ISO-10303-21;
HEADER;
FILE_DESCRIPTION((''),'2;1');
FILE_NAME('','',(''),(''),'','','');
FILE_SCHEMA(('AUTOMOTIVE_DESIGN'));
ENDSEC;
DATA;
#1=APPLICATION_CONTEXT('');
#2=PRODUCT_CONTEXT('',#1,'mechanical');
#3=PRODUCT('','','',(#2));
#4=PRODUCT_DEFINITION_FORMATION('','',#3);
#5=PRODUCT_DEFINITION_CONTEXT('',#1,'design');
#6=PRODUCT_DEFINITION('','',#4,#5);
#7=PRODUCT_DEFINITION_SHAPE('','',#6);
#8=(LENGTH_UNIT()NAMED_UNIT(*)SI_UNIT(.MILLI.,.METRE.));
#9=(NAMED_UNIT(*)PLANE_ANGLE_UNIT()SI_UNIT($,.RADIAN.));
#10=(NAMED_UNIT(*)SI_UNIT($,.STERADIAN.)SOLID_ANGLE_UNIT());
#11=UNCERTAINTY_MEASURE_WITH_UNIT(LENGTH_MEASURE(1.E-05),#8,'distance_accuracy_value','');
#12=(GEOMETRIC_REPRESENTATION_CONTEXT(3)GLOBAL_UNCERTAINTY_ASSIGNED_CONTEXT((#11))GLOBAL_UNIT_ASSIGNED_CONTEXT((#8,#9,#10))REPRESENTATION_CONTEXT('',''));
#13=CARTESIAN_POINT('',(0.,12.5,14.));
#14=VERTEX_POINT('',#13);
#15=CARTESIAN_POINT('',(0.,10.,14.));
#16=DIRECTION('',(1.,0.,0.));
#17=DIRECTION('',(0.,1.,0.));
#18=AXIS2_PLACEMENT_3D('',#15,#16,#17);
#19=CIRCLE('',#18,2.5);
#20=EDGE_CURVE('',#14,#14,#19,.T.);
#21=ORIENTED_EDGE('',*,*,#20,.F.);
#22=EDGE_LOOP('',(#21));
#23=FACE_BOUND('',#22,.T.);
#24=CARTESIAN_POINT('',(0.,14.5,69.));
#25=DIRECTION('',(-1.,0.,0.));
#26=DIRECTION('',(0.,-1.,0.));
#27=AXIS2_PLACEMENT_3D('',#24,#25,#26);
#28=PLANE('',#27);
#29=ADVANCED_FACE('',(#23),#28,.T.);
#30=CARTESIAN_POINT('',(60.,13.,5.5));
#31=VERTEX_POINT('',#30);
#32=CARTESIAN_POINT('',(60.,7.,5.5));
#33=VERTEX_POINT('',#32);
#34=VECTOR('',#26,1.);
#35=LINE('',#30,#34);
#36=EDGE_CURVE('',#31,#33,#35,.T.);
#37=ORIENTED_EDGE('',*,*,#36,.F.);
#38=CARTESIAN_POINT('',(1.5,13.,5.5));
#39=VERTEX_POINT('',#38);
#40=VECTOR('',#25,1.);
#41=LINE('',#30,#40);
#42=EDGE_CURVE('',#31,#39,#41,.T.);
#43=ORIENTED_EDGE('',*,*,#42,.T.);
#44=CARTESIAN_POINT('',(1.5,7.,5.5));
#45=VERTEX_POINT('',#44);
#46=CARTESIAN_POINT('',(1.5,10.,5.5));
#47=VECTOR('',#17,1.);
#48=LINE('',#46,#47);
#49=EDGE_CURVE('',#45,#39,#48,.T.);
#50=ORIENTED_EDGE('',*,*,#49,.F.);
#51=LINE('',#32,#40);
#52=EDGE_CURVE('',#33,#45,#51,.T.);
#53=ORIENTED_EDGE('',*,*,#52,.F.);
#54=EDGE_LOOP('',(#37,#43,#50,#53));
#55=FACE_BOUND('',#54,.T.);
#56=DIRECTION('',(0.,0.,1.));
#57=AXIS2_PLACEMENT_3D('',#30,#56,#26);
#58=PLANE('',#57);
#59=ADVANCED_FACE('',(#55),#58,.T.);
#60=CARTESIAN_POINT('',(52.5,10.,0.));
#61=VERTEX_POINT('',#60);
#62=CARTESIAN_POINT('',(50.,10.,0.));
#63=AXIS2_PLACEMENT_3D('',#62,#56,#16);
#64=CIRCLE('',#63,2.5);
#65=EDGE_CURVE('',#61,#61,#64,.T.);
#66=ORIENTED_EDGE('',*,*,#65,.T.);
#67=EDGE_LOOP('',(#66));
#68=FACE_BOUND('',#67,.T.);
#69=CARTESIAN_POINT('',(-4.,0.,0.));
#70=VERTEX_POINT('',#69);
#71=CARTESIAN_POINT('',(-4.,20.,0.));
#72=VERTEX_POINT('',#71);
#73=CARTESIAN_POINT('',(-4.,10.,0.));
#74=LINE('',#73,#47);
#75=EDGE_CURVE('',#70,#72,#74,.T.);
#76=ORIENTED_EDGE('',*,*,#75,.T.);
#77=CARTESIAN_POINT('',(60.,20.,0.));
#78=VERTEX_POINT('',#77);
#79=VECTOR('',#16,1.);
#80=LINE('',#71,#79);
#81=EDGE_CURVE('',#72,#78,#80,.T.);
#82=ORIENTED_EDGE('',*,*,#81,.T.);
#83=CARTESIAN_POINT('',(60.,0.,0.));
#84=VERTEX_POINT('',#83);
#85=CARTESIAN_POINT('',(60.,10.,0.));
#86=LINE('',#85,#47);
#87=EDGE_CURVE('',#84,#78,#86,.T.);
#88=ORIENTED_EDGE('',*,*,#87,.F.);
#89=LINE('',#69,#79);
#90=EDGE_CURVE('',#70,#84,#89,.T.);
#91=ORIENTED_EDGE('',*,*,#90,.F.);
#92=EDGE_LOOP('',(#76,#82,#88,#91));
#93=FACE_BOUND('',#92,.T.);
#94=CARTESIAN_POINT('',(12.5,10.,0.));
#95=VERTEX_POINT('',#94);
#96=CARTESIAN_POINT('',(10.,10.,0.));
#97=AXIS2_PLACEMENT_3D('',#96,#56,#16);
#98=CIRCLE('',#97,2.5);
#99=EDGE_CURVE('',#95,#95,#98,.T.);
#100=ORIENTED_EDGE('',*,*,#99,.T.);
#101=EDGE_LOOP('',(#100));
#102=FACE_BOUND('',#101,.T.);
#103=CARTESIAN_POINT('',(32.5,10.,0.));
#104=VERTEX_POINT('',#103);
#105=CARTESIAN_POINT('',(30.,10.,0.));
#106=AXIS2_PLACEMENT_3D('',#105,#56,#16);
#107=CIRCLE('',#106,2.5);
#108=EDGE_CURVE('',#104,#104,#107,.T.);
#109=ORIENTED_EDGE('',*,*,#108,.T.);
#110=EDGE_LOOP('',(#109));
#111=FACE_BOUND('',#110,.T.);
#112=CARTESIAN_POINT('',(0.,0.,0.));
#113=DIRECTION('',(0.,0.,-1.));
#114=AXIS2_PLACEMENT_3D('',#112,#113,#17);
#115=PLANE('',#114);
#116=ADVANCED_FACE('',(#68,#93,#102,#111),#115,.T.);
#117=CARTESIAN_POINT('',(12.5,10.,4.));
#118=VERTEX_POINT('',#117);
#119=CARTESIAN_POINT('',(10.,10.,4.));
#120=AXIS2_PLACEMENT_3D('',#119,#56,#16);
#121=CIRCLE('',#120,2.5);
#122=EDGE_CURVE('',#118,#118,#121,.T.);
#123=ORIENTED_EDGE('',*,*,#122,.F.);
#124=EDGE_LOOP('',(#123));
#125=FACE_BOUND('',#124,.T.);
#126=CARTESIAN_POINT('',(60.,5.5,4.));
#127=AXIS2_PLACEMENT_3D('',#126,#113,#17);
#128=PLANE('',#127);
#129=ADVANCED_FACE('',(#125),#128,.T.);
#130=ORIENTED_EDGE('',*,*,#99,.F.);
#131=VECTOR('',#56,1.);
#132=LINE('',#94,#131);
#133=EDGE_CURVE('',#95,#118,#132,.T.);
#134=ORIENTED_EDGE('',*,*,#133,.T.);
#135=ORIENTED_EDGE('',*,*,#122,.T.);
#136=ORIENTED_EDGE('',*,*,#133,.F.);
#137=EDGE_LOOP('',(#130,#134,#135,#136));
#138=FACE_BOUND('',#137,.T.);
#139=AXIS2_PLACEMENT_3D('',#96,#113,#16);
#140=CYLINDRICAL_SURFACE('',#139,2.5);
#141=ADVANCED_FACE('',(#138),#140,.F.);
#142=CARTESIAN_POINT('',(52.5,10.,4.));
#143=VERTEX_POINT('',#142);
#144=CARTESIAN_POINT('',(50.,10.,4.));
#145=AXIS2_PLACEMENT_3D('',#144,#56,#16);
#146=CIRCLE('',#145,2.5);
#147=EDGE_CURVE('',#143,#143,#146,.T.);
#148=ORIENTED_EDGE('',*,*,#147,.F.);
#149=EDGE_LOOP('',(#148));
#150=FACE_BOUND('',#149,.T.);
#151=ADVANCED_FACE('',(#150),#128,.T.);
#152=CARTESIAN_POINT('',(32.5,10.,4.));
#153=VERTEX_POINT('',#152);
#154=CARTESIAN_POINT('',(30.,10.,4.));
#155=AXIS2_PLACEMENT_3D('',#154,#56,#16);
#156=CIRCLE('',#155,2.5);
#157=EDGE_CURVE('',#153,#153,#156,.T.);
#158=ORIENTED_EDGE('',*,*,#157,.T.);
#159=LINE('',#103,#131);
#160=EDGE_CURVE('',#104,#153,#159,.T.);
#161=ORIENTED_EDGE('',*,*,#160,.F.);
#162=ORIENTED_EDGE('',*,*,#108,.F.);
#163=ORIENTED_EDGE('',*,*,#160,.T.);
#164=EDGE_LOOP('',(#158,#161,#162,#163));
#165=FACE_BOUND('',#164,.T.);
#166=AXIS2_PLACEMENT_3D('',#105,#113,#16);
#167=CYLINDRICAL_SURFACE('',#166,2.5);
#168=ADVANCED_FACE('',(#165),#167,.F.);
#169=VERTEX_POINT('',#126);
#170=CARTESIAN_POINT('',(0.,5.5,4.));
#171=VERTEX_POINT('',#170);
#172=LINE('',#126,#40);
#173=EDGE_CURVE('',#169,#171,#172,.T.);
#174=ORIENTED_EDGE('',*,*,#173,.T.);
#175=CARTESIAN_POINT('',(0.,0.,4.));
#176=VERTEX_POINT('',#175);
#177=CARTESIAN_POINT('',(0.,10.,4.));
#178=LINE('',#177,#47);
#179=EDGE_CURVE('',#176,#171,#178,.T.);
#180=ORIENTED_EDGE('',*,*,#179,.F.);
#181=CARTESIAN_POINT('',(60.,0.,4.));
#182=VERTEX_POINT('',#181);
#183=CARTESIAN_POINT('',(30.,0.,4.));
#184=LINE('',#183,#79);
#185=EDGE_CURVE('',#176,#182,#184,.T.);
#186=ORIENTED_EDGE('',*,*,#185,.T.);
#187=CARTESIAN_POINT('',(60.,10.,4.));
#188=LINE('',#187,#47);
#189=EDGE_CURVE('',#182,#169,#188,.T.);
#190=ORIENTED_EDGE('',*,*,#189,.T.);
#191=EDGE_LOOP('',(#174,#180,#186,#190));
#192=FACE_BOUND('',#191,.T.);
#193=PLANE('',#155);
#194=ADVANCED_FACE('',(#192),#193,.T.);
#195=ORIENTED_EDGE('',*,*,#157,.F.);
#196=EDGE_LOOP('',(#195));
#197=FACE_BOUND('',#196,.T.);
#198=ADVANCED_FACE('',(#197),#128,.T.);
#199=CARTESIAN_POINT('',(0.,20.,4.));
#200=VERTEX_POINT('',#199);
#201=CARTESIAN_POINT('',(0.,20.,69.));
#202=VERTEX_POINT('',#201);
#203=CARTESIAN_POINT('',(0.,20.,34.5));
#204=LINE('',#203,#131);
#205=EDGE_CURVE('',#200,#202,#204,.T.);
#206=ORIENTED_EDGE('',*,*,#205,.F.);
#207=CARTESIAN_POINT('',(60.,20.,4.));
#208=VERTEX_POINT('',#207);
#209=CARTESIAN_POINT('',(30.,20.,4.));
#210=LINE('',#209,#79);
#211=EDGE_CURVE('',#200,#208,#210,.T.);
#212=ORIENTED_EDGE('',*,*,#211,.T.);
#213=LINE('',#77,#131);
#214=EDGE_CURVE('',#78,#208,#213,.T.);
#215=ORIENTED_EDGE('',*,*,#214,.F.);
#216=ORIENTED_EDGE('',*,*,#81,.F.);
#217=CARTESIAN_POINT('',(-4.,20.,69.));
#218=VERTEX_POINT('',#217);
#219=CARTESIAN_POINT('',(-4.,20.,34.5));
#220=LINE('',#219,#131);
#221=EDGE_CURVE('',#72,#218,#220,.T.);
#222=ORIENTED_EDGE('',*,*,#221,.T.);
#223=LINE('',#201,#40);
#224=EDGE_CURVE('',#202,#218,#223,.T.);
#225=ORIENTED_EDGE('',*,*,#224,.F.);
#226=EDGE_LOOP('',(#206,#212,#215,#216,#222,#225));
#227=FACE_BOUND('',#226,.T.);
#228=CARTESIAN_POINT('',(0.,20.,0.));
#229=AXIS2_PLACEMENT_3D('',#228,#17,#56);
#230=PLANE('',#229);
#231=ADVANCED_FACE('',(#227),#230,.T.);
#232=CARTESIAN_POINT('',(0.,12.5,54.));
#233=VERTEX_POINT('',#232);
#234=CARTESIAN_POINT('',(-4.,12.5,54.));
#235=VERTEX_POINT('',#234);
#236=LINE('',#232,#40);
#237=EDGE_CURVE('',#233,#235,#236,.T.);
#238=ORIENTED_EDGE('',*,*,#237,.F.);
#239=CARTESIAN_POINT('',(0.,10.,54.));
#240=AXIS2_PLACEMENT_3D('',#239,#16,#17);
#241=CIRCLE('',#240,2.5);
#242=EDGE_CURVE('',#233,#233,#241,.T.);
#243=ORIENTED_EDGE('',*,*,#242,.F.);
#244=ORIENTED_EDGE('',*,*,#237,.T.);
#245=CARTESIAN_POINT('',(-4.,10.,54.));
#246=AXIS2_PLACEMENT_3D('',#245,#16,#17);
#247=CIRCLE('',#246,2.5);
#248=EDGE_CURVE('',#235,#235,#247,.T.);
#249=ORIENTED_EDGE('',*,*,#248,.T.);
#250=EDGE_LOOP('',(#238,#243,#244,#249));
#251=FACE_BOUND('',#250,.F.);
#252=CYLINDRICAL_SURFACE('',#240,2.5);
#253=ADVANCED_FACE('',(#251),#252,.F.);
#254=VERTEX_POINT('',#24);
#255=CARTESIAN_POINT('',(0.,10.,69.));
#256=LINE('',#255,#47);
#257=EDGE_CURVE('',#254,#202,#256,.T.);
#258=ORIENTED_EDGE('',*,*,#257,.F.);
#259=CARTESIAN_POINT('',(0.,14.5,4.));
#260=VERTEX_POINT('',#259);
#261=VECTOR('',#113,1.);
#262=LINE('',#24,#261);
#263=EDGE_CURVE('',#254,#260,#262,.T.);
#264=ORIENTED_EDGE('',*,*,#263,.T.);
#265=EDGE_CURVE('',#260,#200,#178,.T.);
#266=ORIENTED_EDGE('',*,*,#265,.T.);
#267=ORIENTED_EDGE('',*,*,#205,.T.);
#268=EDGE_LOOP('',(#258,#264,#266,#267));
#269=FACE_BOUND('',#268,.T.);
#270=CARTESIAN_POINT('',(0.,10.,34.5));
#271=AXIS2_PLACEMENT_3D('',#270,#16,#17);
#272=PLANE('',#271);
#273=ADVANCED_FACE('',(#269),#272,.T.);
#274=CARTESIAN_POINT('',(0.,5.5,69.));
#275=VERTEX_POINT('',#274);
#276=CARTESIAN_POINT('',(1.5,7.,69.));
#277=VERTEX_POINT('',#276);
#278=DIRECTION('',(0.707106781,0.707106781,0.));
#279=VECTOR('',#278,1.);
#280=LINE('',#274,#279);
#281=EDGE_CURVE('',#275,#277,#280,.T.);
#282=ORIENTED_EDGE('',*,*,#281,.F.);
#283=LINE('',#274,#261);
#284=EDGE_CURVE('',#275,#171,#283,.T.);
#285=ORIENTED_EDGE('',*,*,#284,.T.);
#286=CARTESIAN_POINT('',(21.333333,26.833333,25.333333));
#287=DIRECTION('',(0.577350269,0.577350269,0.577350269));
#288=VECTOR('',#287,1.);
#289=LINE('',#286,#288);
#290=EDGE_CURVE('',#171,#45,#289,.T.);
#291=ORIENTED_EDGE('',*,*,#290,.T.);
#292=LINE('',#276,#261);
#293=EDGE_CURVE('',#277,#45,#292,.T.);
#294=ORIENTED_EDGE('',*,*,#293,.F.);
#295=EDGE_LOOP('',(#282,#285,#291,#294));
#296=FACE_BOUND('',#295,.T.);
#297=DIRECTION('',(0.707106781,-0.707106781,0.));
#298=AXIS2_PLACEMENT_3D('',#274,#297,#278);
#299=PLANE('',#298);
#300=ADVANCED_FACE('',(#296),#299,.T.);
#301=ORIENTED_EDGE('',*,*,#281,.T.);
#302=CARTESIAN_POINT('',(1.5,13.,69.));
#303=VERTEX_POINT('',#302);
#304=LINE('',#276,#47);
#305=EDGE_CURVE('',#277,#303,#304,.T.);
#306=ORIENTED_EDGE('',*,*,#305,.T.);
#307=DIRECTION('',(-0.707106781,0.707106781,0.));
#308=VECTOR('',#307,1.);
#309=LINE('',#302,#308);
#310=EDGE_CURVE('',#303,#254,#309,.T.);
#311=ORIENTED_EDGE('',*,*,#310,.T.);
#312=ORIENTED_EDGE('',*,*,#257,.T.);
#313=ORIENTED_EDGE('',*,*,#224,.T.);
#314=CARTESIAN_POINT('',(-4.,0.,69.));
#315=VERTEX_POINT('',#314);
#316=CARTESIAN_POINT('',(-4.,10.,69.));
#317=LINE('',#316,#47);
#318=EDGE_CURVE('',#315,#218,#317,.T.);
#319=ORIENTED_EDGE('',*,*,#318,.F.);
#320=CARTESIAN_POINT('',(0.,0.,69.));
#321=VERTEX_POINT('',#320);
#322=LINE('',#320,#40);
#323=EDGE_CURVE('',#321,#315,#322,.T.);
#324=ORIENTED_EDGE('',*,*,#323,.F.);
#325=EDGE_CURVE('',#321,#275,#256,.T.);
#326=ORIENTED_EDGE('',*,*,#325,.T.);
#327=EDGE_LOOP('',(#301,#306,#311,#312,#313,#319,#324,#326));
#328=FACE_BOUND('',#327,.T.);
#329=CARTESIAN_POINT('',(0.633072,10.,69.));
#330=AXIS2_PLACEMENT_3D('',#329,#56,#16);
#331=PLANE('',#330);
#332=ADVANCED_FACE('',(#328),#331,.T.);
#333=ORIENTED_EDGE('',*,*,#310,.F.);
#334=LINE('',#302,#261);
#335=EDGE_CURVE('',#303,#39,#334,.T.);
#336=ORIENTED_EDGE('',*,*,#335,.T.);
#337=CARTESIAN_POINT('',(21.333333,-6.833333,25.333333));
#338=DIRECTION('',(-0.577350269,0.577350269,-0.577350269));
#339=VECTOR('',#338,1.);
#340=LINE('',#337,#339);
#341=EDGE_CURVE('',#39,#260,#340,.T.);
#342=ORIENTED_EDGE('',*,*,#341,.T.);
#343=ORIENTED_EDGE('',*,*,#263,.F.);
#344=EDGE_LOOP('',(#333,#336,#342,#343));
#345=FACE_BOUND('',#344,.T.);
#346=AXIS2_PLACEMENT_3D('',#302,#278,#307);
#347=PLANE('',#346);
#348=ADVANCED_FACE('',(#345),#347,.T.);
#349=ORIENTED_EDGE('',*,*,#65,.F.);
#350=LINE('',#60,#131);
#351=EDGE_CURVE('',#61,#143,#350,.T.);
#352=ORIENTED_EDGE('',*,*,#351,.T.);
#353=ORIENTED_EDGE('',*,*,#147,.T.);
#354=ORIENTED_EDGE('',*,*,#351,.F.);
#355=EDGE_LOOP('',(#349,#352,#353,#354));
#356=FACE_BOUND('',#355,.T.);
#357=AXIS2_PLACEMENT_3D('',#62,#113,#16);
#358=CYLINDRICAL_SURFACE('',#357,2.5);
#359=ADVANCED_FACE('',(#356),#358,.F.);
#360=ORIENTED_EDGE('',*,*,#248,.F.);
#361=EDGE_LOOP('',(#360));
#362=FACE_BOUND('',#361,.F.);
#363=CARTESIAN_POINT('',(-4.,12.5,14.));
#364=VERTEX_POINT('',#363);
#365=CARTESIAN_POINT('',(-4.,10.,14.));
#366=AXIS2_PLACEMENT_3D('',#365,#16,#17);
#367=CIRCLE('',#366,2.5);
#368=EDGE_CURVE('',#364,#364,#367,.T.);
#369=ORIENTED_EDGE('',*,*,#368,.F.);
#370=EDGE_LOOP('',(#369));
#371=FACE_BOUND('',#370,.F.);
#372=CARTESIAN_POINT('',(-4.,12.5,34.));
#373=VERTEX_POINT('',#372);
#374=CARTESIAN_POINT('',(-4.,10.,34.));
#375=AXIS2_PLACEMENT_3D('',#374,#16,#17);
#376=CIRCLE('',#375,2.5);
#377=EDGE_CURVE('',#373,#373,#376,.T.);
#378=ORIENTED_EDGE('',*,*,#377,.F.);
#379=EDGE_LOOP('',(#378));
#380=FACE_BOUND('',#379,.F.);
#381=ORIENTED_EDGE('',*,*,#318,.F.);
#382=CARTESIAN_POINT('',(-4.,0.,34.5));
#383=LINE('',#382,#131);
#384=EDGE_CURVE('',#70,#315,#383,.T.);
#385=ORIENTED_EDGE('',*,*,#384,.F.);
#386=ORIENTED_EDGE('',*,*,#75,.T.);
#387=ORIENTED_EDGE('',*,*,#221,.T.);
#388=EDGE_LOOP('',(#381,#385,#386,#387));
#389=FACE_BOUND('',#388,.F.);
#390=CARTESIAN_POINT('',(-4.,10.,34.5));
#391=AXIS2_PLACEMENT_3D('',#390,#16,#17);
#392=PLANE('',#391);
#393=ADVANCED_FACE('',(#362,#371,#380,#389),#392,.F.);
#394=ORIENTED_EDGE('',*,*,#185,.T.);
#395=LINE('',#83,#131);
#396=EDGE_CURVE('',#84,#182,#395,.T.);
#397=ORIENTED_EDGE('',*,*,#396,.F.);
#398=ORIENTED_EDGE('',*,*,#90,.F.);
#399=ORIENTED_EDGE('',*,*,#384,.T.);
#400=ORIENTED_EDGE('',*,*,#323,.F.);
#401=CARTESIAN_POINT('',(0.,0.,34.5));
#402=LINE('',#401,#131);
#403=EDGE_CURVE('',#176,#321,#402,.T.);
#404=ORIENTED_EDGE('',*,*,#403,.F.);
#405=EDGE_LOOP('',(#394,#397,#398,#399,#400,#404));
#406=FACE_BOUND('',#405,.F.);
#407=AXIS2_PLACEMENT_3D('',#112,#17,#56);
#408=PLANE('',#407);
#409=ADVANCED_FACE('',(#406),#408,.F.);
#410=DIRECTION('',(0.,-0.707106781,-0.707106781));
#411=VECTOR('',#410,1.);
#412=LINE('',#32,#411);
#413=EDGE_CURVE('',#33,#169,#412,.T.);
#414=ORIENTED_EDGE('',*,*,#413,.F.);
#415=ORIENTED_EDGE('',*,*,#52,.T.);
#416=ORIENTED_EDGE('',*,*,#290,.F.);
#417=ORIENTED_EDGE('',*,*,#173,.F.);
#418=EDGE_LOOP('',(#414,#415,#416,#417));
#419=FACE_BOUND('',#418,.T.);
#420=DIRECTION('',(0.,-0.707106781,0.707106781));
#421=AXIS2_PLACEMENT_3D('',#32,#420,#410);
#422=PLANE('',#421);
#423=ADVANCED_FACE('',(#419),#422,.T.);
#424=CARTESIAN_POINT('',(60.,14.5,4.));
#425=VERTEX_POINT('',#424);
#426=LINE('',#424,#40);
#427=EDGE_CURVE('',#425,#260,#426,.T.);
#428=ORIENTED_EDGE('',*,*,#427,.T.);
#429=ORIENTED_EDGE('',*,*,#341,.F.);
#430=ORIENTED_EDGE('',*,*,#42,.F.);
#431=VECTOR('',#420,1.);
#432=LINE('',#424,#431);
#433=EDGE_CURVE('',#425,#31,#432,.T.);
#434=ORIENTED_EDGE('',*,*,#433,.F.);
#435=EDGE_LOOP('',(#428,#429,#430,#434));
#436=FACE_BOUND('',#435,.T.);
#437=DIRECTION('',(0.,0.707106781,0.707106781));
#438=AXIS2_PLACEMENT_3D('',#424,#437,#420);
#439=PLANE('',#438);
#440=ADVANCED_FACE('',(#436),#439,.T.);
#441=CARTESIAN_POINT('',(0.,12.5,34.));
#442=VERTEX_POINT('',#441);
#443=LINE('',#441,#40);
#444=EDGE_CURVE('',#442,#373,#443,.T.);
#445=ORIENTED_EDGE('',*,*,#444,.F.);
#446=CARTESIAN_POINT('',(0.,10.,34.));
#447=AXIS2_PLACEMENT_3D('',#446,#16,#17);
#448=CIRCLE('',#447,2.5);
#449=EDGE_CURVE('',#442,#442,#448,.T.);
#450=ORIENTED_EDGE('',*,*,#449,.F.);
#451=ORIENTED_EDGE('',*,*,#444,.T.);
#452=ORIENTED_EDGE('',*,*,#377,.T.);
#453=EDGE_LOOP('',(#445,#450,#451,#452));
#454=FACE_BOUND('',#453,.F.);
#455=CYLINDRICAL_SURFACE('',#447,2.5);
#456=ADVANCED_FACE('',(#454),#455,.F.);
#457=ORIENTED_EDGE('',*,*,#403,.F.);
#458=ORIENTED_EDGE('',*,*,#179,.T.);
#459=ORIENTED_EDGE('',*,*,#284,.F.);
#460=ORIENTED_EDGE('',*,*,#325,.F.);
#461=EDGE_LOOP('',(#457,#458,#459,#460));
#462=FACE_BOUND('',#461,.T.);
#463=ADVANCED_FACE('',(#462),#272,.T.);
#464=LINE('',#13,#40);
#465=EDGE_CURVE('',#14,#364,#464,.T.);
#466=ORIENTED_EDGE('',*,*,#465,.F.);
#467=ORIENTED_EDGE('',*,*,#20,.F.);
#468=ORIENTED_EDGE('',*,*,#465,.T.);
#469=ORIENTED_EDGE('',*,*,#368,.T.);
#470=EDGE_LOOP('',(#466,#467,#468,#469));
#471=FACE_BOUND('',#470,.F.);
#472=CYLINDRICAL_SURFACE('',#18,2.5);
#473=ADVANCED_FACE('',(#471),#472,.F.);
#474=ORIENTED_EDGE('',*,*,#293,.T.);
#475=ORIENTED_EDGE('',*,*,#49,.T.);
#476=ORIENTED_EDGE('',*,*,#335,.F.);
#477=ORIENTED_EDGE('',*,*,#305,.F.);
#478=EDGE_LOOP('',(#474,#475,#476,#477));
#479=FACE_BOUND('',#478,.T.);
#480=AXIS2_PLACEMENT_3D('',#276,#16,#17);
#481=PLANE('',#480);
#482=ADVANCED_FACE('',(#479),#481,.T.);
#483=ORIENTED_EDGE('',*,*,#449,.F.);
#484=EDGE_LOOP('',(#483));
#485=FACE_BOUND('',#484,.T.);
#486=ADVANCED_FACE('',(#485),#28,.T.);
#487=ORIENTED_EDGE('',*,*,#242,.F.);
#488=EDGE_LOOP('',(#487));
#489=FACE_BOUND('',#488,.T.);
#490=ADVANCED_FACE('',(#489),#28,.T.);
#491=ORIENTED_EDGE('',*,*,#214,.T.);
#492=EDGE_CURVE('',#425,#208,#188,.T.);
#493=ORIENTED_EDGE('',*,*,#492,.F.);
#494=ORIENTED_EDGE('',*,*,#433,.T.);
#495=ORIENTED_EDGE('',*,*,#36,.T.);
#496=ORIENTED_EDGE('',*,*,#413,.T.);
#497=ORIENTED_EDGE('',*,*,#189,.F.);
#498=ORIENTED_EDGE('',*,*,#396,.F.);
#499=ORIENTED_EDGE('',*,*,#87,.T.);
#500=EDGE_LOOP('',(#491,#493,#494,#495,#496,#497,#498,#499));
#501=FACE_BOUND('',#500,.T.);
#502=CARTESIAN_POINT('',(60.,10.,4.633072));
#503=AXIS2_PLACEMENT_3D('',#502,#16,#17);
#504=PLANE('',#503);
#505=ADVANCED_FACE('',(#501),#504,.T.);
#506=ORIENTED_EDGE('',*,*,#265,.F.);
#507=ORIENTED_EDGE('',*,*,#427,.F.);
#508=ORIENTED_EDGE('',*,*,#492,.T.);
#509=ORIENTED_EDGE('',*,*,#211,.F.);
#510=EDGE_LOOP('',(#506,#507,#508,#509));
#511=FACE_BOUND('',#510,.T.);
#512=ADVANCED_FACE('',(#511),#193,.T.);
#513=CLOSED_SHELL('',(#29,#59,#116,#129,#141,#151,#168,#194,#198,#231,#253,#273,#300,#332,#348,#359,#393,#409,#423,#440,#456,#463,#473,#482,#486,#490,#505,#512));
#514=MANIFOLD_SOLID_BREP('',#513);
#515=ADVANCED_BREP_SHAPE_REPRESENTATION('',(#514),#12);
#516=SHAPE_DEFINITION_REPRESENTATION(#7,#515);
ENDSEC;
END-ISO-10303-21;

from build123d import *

# Parameters (mm, degrees)
F0_W     = 60
F0_H     = 20
F0_R     = 2.5
F1_DEPTH = 4
F2_W     = 20
F2_H     = 69
F2_R     = 2.5
F3_DEPTH = 4
F5_DEPTH = 60
F7_DEPTH = 65


with BuildPart() as f1:
    # F0 (on Top) → F1 (new body)
    with BuildSketch(Plane.XY):
        with Locations((30, 10)):
            Rectangle(F0_W, F0_H)
        with Locations((10, 10)):
            Circle(F0_R, mode=Mode.SUBTRACT)
        with Locations((30, 10)):
            Circle(F0_R, mode=Mode.SUBTRACT)
        with Locations((50, 10)):
            Circle(F0_R, mode=Mode.SUBTRACT)
    extrude(amount=F1_DEPTH)

    # F2 (on Right) → F3 (join)
    with BuildSketch(Plane.YZ):
        with Locations((10, 34.5)):
            Rectangle(F2_W, F2_H)
        with Locations((10, 14)):
            Circle(F2_R, mode=Mode.SUBTRACT)
        with Locations((10, 34)):
            Circle(F2_R, mode=Mode.SUBTRACT)
        with Locations((10, 54)):
            Circle(F2_R, mode=Mode.SUBTRACT)
    extrude(amount=-F3_DEPTH)

    # F4 (on face) → F5 (join, through all)
    with BuildSketch(Plane.YZ.offset(60)):
        Polygon((7, 5.5), (5.5, 4), (14.5, 4), (13, 5.5), align=None)
    extrude(amount=-F5_DEPTH)

    # F6 (on face) → F7 (join, through all)
    with BuildSketch(Plane.XY.offset(69)):
        Polygon((1.5, 13), (0, 14.5), (0, 5.5), (1.5, 7), align=None)
    extrude(amount=-F7_DEPTH)


solid = f1.part
